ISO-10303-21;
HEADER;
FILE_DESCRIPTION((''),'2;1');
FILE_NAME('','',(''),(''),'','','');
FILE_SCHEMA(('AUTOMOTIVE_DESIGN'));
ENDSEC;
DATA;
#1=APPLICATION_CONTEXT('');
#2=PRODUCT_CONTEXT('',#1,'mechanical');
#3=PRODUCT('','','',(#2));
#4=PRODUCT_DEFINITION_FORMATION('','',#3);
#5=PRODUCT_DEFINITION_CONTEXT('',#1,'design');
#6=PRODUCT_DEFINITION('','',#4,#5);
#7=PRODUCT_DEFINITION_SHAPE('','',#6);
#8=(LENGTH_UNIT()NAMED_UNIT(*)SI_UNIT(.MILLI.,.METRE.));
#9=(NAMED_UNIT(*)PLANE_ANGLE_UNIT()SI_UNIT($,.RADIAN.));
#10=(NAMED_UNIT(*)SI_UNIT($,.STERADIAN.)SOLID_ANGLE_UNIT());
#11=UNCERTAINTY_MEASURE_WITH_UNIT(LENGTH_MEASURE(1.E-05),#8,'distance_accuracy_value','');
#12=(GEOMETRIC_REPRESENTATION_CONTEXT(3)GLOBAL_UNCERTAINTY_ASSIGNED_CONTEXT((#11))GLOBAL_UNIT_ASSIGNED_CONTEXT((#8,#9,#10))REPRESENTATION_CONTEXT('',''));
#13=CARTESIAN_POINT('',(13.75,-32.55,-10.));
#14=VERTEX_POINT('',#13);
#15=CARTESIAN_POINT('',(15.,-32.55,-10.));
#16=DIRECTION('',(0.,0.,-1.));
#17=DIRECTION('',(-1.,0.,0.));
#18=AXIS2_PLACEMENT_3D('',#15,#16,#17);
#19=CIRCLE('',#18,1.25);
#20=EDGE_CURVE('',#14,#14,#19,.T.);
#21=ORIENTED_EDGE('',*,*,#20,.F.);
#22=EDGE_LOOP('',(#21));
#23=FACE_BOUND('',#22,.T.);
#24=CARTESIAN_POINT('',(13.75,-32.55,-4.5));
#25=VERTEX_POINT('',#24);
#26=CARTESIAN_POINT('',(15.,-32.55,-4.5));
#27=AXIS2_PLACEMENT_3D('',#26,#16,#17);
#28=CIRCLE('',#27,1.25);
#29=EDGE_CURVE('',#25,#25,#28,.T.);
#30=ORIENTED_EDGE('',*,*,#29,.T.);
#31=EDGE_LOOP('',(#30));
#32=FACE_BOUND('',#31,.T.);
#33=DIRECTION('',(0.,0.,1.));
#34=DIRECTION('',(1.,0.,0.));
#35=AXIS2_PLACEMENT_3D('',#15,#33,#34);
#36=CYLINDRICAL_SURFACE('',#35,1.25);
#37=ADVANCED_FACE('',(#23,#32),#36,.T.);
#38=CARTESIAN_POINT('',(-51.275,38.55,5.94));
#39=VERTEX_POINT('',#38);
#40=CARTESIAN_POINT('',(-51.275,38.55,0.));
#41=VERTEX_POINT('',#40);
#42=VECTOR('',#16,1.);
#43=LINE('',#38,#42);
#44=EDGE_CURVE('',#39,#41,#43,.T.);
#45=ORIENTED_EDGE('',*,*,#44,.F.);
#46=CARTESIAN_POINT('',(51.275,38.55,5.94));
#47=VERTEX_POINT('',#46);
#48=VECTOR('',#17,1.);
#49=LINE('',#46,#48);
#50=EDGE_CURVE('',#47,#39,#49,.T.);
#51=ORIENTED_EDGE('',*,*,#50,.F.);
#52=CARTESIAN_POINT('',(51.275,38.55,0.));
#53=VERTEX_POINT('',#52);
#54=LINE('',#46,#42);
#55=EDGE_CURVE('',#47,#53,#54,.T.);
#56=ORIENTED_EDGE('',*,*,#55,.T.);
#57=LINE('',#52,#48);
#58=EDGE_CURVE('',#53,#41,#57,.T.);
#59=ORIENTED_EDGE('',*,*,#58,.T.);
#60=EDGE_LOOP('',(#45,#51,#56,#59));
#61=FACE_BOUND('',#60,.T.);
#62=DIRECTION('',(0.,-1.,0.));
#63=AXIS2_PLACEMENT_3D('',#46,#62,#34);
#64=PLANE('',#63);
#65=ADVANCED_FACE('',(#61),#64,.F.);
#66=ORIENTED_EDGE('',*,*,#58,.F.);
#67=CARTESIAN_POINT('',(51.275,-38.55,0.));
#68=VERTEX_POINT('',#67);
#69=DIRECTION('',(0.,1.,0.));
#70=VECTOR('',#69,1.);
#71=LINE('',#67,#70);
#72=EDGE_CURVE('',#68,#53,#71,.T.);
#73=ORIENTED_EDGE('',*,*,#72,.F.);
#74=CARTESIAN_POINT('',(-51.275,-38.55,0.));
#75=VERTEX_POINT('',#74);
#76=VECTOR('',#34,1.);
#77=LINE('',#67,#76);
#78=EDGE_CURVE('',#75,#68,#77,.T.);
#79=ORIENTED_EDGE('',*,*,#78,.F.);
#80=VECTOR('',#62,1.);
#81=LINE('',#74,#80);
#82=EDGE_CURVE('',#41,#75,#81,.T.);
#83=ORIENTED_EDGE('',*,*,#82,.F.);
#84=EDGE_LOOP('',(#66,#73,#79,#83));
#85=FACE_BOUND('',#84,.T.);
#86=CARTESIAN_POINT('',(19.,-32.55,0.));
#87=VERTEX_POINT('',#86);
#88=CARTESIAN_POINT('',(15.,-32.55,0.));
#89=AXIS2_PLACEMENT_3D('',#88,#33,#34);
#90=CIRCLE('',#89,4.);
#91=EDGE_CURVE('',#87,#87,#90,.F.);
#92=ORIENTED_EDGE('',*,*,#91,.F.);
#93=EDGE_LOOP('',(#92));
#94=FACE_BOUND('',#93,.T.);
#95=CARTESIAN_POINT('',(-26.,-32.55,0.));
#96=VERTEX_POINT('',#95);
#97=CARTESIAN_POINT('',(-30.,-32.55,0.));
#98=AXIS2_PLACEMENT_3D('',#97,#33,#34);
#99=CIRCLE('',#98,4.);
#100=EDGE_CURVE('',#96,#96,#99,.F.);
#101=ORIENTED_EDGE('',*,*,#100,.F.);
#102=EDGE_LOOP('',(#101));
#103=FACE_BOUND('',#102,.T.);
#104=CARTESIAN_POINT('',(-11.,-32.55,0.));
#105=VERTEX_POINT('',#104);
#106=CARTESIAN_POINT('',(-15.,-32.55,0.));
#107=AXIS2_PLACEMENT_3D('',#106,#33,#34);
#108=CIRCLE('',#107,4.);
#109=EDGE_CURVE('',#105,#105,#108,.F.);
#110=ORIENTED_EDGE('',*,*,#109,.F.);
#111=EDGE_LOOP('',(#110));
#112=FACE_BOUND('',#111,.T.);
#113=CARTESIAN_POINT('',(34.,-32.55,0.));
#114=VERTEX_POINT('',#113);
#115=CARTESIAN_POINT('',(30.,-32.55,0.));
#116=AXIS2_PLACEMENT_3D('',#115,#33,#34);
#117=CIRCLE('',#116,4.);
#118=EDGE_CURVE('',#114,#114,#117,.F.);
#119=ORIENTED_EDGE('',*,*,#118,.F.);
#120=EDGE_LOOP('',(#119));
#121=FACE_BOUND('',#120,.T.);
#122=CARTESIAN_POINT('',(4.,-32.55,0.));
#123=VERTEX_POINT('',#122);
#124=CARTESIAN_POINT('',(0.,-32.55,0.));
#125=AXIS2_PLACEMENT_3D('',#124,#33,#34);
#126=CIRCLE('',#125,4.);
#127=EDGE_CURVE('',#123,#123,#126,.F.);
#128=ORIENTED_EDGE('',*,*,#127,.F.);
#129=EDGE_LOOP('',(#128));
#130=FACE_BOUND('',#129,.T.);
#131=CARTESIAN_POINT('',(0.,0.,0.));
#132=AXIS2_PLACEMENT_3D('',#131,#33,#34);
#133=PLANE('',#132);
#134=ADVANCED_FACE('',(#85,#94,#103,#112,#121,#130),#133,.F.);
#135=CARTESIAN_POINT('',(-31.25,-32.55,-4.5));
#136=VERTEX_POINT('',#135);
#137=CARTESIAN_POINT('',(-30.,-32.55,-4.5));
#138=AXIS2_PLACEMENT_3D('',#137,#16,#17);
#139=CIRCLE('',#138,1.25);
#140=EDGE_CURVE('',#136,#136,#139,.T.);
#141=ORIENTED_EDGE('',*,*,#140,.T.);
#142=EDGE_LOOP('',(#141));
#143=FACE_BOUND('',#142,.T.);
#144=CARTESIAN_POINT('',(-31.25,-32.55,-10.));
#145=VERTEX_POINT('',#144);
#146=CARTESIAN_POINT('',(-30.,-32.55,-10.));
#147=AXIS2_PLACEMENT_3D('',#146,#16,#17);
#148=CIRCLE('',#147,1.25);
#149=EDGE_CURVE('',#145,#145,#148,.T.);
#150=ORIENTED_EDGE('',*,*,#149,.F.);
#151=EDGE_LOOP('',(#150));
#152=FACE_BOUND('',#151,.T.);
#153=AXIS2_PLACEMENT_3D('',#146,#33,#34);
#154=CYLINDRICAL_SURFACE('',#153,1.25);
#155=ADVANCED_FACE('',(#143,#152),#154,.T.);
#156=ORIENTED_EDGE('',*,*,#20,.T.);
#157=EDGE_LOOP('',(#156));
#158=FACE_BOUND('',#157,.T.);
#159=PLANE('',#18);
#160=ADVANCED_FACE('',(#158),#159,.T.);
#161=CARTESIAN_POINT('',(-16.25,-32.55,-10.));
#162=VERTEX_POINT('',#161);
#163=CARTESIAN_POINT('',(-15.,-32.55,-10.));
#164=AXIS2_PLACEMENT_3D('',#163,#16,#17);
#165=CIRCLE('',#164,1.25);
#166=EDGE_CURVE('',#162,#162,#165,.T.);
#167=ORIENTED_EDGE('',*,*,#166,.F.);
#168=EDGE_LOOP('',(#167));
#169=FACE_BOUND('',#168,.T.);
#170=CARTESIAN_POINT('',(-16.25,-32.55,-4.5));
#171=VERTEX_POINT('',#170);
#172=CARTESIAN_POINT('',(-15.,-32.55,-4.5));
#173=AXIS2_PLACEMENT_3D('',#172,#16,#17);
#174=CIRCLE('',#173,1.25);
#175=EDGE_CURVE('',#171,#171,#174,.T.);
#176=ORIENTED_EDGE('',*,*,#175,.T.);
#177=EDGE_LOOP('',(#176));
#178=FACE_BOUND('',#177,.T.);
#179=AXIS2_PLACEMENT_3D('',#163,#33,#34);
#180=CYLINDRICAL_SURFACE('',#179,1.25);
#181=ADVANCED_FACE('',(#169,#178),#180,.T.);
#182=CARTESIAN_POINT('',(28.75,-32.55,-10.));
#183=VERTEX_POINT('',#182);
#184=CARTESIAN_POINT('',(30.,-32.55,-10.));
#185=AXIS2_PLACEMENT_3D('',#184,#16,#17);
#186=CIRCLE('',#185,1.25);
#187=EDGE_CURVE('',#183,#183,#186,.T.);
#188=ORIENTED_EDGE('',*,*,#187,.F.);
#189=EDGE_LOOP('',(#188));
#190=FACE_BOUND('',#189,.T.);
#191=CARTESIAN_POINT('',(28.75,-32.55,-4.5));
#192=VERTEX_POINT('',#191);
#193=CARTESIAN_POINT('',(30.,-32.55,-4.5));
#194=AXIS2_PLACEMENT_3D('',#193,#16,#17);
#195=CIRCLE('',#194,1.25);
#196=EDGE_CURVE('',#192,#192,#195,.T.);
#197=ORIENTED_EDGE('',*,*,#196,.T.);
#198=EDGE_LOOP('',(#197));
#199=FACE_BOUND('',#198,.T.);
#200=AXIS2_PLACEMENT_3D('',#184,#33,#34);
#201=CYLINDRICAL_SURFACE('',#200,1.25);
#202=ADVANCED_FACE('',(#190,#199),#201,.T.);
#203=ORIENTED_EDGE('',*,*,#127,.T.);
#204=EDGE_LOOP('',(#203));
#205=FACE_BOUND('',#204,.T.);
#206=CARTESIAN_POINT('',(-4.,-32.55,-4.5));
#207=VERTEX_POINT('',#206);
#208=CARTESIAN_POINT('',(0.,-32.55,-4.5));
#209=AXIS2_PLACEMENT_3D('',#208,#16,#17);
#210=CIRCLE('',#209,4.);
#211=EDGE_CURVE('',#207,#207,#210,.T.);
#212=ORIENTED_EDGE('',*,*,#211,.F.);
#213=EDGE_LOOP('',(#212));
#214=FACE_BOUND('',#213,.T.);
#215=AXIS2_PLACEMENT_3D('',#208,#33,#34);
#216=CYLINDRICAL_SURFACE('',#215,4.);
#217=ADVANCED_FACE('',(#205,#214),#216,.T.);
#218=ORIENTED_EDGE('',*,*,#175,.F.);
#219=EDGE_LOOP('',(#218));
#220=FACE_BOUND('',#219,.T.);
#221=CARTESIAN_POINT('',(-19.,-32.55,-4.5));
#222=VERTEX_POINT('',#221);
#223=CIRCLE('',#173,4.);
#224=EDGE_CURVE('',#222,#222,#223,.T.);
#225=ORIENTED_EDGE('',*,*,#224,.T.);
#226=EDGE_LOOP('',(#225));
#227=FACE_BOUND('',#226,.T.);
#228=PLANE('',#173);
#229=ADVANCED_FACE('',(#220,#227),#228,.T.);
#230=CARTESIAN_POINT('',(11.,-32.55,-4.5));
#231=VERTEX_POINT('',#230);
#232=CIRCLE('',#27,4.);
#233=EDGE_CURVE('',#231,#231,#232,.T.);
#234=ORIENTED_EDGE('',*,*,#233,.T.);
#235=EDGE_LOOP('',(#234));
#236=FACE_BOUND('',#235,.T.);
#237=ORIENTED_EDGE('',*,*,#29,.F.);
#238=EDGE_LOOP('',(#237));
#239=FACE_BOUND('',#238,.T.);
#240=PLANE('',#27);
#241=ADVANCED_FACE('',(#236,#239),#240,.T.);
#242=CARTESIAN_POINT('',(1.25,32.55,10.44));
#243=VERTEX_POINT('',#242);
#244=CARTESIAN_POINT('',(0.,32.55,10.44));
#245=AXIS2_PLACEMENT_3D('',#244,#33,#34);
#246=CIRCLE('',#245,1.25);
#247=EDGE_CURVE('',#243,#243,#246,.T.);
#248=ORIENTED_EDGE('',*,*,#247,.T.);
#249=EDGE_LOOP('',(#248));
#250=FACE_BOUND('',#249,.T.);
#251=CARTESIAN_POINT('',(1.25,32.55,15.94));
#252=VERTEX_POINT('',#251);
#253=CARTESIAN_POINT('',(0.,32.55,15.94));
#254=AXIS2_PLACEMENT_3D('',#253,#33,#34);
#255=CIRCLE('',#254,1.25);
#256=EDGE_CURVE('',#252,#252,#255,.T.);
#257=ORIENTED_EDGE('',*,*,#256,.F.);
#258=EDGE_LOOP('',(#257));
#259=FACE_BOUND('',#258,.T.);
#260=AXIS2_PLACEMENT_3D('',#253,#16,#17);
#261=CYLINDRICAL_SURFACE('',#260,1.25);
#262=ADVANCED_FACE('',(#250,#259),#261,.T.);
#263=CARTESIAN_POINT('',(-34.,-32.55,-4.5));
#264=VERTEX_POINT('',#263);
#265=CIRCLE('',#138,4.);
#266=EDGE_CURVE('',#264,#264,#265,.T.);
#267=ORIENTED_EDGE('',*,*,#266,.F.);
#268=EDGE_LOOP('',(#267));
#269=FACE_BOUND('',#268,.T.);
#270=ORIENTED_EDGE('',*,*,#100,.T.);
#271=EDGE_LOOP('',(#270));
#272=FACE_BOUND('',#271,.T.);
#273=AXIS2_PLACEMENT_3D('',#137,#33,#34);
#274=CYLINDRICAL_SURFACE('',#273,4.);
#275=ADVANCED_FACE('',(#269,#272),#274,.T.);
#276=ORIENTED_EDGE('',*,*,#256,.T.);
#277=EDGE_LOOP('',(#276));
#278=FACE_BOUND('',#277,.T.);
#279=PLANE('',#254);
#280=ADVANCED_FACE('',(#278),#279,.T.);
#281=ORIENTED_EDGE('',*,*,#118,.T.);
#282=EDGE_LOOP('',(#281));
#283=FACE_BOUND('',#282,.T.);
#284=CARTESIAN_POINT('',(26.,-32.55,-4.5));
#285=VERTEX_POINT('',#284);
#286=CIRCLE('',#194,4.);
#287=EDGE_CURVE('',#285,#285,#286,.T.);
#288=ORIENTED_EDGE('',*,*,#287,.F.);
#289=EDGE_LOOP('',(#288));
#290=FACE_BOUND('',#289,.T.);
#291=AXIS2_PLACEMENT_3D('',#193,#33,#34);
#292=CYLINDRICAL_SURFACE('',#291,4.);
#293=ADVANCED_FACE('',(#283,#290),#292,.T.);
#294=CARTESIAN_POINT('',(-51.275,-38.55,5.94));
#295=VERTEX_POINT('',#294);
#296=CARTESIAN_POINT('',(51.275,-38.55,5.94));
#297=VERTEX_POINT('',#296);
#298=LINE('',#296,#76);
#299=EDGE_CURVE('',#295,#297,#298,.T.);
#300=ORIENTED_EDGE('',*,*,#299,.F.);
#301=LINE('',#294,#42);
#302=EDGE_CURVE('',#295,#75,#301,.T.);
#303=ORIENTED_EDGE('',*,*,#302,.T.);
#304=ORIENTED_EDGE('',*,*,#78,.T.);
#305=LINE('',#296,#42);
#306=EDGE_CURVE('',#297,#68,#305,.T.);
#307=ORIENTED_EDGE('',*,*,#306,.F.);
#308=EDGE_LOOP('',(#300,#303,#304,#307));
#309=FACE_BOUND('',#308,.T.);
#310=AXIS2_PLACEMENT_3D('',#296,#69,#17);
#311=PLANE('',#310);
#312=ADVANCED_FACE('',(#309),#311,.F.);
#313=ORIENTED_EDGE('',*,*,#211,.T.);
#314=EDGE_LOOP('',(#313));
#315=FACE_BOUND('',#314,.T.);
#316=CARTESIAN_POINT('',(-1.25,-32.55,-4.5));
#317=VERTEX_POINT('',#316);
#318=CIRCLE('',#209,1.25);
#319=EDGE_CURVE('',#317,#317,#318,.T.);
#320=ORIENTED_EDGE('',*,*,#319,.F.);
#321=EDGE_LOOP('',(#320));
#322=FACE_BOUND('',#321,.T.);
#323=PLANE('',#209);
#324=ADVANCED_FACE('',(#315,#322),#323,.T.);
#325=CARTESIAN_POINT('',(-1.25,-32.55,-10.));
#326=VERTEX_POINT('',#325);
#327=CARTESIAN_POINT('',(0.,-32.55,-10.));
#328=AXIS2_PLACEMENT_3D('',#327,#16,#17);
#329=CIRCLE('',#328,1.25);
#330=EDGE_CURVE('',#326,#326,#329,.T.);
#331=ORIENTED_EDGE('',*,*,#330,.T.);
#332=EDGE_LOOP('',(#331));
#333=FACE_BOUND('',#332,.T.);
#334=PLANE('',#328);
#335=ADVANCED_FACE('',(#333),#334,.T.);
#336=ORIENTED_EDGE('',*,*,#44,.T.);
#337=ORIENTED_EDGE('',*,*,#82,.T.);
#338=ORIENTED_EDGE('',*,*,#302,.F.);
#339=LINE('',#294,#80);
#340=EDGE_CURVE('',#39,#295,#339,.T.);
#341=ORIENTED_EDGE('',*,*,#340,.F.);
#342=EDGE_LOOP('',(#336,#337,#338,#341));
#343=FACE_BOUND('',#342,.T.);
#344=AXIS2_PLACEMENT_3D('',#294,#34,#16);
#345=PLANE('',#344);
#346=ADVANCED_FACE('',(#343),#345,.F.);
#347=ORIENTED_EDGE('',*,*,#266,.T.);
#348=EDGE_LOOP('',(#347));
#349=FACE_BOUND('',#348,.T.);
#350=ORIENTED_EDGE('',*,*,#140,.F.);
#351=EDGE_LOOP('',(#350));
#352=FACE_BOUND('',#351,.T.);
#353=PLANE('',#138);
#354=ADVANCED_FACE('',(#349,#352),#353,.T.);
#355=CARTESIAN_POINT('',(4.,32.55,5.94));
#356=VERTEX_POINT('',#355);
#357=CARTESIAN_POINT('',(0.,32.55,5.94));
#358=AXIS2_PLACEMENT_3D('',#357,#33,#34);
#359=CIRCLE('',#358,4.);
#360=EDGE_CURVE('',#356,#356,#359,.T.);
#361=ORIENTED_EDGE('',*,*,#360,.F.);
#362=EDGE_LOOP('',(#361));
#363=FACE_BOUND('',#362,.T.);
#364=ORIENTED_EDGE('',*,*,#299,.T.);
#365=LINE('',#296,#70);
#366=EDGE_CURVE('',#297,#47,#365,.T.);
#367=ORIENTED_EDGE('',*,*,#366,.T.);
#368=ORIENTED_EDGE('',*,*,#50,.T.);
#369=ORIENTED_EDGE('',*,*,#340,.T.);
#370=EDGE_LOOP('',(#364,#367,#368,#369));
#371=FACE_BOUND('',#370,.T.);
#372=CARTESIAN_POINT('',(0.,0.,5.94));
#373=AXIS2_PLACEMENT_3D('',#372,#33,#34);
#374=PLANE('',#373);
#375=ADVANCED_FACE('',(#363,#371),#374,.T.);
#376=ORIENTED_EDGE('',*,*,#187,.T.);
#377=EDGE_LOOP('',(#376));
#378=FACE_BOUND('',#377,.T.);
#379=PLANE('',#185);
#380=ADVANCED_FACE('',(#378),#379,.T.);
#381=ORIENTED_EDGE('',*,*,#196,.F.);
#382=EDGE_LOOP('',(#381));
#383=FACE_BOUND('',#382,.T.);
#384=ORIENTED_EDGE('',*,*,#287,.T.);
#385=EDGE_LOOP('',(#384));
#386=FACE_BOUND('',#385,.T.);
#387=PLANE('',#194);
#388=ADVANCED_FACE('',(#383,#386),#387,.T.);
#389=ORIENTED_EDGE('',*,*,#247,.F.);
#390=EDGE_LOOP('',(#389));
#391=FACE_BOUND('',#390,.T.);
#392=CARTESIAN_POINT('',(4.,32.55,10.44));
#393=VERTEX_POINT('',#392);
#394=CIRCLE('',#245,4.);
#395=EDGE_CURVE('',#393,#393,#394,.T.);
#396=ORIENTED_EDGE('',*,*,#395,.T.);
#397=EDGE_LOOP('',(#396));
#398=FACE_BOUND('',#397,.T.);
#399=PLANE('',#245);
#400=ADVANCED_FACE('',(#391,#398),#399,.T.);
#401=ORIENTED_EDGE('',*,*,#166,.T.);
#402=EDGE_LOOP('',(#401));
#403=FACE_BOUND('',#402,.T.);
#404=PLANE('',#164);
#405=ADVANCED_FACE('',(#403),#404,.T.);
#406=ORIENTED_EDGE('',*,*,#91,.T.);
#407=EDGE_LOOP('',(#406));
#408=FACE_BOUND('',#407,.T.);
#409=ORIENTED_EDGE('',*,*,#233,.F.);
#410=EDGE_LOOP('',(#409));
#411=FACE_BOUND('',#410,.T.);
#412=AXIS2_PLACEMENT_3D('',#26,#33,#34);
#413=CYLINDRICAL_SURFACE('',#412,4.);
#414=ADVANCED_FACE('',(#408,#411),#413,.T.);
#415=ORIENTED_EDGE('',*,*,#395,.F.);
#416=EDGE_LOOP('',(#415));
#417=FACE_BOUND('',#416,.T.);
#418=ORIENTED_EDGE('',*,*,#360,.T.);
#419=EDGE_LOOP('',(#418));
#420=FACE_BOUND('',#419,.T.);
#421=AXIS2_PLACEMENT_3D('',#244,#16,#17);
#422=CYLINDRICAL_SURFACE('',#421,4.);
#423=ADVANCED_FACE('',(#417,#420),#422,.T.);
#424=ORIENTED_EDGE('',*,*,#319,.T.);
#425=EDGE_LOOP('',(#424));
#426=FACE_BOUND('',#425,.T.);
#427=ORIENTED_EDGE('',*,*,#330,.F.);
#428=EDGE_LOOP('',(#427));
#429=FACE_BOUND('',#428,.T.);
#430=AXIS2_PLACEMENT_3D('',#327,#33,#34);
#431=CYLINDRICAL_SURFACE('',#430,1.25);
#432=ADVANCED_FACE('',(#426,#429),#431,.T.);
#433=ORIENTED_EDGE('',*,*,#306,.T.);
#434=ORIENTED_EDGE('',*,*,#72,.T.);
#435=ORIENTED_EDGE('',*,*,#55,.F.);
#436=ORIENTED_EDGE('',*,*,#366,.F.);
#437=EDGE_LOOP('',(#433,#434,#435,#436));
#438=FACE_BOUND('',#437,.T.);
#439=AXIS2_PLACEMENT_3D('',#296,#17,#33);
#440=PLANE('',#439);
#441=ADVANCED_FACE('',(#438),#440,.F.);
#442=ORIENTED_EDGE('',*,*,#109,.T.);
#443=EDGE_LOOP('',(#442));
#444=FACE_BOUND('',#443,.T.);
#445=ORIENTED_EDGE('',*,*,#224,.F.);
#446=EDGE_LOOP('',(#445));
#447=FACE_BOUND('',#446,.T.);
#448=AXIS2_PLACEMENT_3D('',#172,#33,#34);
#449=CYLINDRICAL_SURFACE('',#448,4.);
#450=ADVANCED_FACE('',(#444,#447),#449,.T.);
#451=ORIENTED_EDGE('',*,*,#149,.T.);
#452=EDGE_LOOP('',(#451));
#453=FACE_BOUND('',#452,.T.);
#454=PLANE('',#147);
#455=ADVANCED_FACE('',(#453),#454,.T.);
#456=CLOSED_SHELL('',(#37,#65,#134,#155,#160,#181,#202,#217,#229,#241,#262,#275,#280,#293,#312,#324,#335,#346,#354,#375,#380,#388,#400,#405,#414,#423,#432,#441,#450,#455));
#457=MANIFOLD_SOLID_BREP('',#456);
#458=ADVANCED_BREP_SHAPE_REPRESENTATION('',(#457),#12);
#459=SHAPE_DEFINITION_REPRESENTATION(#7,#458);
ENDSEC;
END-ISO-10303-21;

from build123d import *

# Parameters (mm, degrees)
SKETCH1_W           = 102.55
SKETCH1_H           = 77.1
BOSS_EXTRUDE1_DEPTH = 5.94
SKETCH2_R           = 4
BOSS_EXTRUDE2_DEPTH = 4.5
SKETCH3_R           = 1.25
BOSS_EXTRUDE3_DEPTH = 5.5
SKETCH5_R           = 4
BOSS_EXTRUDE4_DEPTH = 4.5
SKETCH6_R           = 1.25
BOSS_EXTRUDE5_DEPTH = 5.5


with BuildPart() as part:
    # Sketch1 → Boss-Extrude1 (new body)
    with BuildSketch(Plane.XY):
        Rectangle(SKETCH1_W, SKETCH1_H)
    extrude(amount=BOSS_EXTRUDE1_DEPTH)

    # Sketch2 → Boss-Extrude2 (add)
    with BuildSketch(Plane(origin=(0, 0, 0), x_dir=(-1, 0, 0), z_dir=(0, 0, -1))):
        with Locations((-30, -32.55)):
            Circle(SKETCH2_R)
        with Locations((-15, -32.55)):
            Circle(SKETCH2_R)
        with Locations((0, -32.55)):
            Circle(SKETCH2_R)
        with Locations((15, -32.55)):
            Circle(SKETCH2_R)
        with Locations((30, -32.55)):
            Circle(SKETCH2_R)
    extrude(amount=BOSS_EXTRUDE2_DEPTH)

    # Sketch3 → Boss-Extrude3 (add)
    with BuildSketch(Plane(origin=(0, 0, -4.5), x_dir=(-1, 0, 0), z_dir=(0, 0, -1))):
        with Locations((-30, -32.55)):
            Circle(SKETCH3_R)
        with Locations((-15, -32.55)):
            Circle(SKETCH3_R)
        with Locations((0, -32.55)):
            Circle(SKETCH3_R)
        with Locations((15, -32.55)):
            Circle(SKETCH3_R)
        with Locations((30, -32.55)):
            Circle(SKETCH3_R)
    extrude(amount=BOSS_EXTRUDE3_DEPTH)

    # Sketch5 → Boss-Extrude4 (add)
    with BuildSketch(Plane.XY.offset(5.94)):
        with Locations((0, 32.55)):
            Circle(SKETCH5_R)
    extrude(amount=BOSS_EXTRUDE4_DEPTH)

    # Sketch6 → Boss-Extrude5 (add)
    with BuildSketch(Plane.XY.offset(10.44)):
        with Locations((0, 32.55)):
            Circle(SKETCH6_R)
    extrude(amount=BOSS_EXTRUDE5_DEPTH)


solid = part.part
